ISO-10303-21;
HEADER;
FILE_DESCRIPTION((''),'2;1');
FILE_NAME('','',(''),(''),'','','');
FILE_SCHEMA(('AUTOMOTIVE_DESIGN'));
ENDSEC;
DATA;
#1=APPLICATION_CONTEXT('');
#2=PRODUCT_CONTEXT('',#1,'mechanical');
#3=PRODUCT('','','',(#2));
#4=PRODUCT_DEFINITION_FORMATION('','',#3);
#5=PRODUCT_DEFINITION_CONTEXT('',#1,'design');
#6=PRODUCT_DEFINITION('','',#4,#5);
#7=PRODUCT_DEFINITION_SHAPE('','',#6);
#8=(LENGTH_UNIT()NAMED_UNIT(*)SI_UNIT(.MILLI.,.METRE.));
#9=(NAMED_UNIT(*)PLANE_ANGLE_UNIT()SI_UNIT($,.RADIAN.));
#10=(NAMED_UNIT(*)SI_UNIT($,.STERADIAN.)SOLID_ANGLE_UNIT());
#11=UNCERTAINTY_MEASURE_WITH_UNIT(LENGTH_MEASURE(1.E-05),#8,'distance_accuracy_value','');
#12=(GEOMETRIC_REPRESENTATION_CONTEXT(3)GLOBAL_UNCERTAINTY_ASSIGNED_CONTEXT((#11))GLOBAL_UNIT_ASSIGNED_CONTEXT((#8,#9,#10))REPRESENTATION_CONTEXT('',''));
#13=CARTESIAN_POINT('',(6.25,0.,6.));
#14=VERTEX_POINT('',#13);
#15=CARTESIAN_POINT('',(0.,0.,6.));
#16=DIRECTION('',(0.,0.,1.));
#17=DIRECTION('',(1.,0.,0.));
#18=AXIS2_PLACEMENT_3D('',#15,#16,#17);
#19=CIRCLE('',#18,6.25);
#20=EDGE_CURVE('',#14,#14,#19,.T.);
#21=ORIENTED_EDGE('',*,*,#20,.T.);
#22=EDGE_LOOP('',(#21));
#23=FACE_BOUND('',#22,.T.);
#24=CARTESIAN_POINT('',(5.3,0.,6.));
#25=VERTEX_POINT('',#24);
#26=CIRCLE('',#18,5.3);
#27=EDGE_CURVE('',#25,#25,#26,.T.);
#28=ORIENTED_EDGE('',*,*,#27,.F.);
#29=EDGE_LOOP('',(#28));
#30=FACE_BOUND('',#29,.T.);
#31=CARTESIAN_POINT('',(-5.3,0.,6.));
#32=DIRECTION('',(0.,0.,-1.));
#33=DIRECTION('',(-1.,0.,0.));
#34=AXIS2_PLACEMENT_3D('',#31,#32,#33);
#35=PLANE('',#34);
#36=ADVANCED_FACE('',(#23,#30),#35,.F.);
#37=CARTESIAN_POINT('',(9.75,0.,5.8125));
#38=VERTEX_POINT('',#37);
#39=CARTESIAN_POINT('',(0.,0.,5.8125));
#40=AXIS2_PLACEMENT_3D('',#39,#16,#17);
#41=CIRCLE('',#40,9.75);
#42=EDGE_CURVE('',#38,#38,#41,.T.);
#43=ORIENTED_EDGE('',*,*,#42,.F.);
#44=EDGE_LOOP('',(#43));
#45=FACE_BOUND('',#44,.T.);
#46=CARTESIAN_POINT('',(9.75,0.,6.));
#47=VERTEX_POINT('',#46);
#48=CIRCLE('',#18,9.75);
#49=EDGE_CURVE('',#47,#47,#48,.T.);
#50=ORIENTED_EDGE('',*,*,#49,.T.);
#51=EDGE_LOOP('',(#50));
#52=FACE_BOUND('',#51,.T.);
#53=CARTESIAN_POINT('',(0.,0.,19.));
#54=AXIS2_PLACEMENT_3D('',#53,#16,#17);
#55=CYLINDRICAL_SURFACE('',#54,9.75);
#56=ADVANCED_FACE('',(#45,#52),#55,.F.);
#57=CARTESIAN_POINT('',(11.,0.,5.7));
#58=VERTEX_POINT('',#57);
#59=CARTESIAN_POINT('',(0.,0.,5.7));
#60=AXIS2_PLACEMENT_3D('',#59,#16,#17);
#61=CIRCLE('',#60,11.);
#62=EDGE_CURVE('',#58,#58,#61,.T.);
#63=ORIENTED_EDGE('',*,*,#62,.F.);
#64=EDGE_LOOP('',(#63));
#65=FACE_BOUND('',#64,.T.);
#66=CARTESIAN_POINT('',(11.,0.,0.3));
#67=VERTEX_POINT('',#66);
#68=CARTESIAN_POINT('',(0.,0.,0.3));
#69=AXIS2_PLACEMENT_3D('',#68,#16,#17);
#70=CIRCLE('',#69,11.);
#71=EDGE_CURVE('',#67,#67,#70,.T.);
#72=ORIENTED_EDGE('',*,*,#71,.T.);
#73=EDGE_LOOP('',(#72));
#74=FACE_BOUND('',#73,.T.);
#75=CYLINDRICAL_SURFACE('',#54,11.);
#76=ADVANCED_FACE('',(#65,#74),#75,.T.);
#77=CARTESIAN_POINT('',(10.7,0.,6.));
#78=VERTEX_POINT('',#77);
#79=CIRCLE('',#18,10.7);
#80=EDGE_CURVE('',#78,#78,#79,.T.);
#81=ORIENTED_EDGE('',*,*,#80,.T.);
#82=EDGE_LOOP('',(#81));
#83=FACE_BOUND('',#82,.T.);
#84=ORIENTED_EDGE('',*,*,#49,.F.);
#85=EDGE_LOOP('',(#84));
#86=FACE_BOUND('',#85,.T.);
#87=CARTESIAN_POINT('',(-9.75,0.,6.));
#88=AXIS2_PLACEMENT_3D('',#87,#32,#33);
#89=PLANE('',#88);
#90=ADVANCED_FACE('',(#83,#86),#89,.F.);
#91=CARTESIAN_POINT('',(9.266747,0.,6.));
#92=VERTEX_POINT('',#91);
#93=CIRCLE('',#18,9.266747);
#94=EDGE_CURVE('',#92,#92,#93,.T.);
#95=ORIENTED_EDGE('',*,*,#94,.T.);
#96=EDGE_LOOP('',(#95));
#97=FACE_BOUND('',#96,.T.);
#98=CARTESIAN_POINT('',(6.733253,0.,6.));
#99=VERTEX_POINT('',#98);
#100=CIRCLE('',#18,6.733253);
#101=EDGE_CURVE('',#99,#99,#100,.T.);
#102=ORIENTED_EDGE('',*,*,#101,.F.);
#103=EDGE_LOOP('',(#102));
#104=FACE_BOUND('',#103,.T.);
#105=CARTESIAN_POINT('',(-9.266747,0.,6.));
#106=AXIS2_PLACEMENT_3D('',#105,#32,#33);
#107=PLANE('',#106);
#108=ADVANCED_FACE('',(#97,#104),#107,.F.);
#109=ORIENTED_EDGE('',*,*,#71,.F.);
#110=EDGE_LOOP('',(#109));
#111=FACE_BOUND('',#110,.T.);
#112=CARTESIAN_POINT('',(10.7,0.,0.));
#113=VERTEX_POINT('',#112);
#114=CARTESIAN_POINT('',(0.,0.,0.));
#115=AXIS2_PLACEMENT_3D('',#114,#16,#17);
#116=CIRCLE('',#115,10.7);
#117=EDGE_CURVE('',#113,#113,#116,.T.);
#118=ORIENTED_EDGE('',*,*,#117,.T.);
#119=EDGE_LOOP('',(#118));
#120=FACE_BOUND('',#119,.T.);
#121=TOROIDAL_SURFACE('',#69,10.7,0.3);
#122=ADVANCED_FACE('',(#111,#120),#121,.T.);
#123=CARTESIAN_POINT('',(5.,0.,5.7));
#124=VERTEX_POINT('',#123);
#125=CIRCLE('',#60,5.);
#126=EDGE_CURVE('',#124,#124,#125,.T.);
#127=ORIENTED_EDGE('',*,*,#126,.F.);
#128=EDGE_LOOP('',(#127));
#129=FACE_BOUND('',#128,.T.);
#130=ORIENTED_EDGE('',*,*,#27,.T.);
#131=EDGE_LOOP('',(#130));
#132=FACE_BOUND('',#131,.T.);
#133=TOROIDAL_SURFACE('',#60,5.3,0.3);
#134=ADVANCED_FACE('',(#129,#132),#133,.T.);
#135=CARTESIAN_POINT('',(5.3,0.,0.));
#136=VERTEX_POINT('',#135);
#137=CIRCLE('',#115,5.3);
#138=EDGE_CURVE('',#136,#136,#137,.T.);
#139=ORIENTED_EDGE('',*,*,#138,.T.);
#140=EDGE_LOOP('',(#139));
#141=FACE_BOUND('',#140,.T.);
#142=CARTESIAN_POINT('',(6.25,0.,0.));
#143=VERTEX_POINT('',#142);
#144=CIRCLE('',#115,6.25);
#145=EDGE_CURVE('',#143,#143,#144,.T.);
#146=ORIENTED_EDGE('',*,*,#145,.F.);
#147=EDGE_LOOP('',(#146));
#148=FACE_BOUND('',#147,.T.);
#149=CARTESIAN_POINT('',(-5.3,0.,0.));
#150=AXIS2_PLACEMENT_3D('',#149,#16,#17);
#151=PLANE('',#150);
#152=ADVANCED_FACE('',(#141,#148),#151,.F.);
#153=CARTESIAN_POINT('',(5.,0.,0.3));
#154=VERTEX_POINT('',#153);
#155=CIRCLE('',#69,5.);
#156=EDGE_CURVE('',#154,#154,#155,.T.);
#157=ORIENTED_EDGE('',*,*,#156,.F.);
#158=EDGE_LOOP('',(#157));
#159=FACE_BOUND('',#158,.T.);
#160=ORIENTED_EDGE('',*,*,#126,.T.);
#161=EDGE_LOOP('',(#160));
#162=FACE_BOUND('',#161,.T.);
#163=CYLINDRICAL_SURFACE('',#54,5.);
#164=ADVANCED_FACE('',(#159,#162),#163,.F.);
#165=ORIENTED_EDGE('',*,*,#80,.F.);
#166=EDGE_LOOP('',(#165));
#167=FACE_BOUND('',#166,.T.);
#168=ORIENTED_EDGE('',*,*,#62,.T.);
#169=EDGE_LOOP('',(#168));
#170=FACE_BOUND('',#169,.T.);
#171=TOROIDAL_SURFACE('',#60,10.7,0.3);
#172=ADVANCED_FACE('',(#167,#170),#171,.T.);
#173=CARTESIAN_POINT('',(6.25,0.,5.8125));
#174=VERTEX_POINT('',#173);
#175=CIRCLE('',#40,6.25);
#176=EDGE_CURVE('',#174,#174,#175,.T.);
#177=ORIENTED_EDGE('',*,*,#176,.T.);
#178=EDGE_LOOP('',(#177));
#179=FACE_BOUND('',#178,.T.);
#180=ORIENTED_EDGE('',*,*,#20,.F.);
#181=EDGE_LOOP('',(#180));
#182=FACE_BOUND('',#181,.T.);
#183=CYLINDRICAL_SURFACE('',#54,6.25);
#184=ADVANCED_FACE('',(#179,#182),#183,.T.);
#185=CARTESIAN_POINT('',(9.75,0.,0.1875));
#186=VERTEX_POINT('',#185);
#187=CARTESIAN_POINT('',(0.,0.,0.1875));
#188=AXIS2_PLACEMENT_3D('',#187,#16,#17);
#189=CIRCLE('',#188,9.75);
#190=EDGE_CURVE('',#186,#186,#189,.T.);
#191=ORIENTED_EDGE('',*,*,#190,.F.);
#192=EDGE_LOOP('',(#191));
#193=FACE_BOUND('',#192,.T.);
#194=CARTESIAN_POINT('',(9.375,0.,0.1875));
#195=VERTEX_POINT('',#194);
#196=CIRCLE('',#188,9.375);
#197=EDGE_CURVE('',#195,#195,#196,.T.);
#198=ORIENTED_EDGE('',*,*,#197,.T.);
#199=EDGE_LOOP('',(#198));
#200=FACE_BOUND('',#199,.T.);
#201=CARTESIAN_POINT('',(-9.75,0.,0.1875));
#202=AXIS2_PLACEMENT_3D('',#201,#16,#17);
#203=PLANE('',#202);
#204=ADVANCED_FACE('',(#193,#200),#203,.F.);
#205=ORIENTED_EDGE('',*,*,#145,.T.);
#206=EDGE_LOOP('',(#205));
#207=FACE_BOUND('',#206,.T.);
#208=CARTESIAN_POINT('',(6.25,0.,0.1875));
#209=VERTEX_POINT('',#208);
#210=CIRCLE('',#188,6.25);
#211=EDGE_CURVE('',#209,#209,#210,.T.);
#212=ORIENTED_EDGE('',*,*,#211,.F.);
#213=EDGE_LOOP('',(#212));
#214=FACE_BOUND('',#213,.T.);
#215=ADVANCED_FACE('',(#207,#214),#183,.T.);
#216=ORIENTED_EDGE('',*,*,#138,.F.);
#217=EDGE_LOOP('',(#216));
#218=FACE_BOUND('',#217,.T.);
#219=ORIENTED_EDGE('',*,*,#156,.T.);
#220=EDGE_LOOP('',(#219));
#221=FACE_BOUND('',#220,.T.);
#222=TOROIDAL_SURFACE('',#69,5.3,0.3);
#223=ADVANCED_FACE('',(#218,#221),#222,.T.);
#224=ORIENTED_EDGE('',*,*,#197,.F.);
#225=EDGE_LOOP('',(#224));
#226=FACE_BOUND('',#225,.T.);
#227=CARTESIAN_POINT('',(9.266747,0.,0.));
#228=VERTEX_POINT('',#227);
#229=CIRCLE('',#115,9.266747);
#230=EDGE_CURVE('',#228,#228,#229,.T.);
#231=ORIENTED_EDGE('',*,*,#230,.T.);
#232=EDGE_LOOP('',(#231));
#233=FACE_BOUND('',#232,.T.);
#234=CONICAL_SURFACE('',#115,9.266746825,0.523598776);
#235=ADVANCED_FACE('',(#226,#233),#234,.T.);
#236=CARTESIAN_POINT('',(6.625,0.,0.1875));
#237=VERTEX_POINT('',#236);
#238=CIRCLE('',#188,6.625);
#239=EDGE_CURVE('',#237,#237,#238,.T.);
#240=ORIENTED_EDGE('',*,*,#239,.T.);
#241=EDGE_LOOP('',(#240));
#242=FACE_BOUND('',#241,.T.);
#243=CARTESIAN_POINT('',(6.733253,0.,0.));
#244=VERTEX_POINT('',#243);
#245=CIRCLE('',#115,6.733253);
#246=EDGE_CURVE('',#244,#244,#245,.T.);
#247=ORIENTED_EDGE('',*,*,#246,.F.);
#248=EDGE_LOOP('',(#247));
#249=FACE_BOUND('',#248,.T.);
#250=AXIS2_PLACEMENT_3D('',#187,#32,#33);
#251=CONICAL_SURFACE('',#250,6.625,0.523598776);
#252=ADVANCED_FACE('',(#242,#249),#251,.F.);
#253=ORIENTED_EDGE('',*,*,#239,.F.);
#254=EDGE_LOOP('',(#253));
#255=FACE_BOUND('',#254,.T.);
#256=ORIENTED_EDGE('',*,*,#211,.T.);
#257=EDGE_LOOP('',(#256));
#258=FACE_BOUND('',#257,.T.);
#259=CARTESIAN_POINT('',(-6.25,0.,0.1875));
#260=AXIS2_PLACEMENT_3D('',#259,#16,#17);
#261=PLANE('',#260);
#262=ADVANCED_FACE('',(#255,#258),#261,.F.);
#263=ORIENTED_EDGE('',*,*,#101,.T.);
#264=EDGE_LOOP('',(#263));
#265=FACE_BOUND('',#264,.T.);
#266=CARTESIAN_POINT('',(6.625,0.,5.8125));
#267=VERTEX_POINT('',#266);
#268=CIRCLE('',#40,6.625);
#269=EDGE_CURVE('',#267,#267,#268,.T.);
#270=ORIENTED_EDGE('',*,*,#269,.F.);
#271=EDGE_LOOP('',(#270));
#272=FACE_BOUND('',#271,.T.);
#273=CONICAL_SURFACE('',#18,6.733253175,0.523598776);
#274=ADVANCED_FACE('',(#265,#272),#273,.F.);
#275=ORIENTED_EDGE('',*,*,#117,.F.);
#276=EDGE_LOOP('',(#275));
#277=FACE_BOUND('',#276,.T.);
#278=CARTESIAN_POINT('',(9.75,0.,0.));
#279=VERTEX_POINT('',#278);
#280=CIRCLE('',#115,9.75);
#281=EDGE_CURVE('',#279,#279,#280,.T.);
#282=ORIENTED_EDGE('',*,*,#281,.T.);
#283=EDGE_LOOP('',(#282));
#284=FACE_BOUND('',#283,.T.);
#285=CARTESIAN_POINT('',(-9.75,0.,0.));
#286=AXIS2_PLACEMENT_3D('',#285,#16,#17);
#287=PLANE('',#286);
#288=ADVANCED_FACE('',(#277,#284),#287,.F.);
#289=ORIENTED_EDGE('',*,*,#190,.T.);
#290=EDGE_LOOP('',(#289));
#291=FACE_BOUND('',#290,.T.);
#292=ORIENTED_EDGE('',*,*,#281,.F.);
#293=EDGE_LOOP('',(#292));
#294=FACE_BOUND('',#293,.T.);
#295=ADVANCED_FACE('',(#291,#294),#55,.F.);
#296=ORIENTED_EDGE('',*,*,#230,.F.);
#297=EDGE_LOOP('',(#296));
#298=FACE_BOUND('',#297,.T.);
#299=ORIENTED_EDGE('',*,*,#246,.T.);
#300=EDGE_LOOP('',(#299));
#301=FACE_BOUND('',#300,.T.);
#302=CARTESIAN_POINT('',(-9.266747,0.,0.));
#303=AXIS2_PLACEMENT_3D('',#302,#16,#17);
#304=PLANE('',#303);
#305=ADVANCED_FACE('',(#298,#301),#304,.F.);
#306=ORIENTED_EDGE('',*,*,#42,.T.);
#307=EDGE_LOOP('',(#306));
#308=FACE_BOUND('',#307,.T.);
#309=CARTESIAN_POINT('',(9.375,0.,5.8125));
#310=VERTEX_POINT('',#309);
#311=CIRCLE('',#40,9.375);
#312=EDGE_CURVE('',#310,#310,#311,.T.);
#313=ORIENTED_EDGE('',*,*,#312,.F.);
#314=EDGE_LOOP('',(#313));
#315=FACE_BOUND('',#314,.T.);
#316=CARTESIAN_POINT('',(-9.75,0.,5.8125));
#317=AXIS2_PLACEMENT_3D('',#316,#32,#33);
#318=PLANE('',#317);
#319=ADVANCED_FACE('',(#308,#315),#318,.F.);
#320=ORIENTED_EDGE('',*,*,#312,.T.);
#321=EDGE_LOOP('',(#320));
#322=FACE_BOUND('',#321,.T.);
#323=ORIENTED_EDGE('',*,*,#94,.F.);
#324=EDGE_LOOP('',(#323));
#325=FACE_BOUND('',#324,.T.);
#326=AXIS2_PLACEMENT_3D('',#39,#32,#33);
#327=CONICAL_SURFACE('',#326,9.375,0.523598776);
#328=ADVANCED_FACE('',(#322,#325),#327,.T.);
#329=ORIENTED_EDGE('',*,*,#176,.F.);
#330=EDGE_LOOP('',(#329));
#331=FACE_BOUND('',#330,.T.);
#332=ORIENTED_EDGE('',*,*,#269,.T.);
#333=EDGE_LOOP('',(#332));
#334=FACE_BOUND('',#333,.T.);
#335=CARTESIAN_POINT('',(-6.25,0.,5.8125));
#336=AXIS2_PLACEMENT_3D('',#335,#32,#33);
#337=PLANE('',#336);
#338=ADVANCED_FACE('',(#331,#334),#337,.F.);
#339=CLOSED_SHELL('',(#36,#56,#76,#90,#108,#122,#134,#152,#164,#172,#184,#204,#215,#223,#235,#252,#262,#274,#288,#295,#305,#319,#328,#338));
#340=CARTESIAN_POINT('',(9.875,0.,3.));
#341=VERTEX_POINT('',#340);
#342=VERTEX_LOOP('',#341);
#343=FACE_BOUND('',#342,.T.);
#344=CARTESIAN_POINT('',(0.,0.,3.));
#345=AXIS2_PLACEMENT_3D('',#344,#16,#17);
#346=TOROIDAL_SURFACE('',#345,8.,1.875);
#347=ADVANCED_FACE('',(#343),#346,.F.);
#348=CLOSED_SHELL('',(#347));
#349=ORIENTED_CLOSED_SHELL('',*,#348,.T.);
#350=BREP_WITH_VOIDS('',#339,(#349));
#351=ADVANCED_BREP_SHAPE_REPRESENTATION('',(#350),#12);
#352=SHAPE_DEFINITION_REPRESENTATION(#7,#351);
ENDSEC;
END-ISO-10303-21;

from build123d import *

# Parameters (mm, degrees)
SKETCH2_R = 1.875


with BuildPart() as part:
    # Sketch2 → Base-Revolve (revolve)
    with BuildSketch(Plane(origin=(0, 0, 0), x_dir=(1, 0, 0), z_dir=(0, 1, 0)), mode=Mode.PRIVATE) as base_revolve_sk:
        with BuildLine():
            Line((-9.75, 0), (-9.75, -0.1875))
            Line((-9.75, -0.1875), (-9.375, -0.1875))
            Line((-9.375, -0.1875), (-9.266746825, 0))
            Line((-9.266746825, 0), (-6.733253175, 0))
            Line((-6.733253175, 0), (-6.625, -0.1875))
            Line((-6.625, -0.1875), (-6.25, -0.1875))
            Line((-6.25, -0.1875), (-6.25, 0))
            Line((-6.25, 0), (-5.3, 0))
            ThreePointArc((-5.3, 0), (-5.087867966, -0.087867966), (-5, -0.3))
            Line((-5, -0.3), (-5, -5.7))
            ThreePointArc((-5, -5.7), (-5.087867966, -5.912132034), (-5.3, -6))
            Line((-5.3, -6), (-6.25, -6))
            Line((-6.25, -6), (-6.25, -5.8125))
            Line((-6.25, -5.8125), (-6.625, -5.8125))
            Line((-6.625, -5.8125), (-6.733253175, -6))
            Line((-6.733253175, -6), (-9.266746825, -6))
            Line((-9.266746825, -6), (-9.375, -5.8125))
            Line((-9.375, -5.8125), (-9.75, -5.8125))
            Line((-9.75, -5.8125), (-9.75, -6))
            Line((-9.75, -6), (-10.7, -6))
            ThreePointArc((-10.7, -6), (-10.912132034, -5.912132034), (-11, -5.7))
            Line((-11, -5.7), (-11, -0.3))
            ThreePointArc((-11, -0.3), (-10.912132034, -0.087867966), (-10.7, 0))
            Line((-10.7, 0), (-9.75, 0))
        make_face()
        with Locations((-8, -3)):
            Circle(SKETCH2_R, mode=Mode.SUBTRACT)
    revolve(base_revolve_sk.sketch.rotate(Axis((0, 0, 19), (0, 0, -1)), 180), axis=Axis((0, 0, 19), (0, 0, -1)))


solid = part.part
